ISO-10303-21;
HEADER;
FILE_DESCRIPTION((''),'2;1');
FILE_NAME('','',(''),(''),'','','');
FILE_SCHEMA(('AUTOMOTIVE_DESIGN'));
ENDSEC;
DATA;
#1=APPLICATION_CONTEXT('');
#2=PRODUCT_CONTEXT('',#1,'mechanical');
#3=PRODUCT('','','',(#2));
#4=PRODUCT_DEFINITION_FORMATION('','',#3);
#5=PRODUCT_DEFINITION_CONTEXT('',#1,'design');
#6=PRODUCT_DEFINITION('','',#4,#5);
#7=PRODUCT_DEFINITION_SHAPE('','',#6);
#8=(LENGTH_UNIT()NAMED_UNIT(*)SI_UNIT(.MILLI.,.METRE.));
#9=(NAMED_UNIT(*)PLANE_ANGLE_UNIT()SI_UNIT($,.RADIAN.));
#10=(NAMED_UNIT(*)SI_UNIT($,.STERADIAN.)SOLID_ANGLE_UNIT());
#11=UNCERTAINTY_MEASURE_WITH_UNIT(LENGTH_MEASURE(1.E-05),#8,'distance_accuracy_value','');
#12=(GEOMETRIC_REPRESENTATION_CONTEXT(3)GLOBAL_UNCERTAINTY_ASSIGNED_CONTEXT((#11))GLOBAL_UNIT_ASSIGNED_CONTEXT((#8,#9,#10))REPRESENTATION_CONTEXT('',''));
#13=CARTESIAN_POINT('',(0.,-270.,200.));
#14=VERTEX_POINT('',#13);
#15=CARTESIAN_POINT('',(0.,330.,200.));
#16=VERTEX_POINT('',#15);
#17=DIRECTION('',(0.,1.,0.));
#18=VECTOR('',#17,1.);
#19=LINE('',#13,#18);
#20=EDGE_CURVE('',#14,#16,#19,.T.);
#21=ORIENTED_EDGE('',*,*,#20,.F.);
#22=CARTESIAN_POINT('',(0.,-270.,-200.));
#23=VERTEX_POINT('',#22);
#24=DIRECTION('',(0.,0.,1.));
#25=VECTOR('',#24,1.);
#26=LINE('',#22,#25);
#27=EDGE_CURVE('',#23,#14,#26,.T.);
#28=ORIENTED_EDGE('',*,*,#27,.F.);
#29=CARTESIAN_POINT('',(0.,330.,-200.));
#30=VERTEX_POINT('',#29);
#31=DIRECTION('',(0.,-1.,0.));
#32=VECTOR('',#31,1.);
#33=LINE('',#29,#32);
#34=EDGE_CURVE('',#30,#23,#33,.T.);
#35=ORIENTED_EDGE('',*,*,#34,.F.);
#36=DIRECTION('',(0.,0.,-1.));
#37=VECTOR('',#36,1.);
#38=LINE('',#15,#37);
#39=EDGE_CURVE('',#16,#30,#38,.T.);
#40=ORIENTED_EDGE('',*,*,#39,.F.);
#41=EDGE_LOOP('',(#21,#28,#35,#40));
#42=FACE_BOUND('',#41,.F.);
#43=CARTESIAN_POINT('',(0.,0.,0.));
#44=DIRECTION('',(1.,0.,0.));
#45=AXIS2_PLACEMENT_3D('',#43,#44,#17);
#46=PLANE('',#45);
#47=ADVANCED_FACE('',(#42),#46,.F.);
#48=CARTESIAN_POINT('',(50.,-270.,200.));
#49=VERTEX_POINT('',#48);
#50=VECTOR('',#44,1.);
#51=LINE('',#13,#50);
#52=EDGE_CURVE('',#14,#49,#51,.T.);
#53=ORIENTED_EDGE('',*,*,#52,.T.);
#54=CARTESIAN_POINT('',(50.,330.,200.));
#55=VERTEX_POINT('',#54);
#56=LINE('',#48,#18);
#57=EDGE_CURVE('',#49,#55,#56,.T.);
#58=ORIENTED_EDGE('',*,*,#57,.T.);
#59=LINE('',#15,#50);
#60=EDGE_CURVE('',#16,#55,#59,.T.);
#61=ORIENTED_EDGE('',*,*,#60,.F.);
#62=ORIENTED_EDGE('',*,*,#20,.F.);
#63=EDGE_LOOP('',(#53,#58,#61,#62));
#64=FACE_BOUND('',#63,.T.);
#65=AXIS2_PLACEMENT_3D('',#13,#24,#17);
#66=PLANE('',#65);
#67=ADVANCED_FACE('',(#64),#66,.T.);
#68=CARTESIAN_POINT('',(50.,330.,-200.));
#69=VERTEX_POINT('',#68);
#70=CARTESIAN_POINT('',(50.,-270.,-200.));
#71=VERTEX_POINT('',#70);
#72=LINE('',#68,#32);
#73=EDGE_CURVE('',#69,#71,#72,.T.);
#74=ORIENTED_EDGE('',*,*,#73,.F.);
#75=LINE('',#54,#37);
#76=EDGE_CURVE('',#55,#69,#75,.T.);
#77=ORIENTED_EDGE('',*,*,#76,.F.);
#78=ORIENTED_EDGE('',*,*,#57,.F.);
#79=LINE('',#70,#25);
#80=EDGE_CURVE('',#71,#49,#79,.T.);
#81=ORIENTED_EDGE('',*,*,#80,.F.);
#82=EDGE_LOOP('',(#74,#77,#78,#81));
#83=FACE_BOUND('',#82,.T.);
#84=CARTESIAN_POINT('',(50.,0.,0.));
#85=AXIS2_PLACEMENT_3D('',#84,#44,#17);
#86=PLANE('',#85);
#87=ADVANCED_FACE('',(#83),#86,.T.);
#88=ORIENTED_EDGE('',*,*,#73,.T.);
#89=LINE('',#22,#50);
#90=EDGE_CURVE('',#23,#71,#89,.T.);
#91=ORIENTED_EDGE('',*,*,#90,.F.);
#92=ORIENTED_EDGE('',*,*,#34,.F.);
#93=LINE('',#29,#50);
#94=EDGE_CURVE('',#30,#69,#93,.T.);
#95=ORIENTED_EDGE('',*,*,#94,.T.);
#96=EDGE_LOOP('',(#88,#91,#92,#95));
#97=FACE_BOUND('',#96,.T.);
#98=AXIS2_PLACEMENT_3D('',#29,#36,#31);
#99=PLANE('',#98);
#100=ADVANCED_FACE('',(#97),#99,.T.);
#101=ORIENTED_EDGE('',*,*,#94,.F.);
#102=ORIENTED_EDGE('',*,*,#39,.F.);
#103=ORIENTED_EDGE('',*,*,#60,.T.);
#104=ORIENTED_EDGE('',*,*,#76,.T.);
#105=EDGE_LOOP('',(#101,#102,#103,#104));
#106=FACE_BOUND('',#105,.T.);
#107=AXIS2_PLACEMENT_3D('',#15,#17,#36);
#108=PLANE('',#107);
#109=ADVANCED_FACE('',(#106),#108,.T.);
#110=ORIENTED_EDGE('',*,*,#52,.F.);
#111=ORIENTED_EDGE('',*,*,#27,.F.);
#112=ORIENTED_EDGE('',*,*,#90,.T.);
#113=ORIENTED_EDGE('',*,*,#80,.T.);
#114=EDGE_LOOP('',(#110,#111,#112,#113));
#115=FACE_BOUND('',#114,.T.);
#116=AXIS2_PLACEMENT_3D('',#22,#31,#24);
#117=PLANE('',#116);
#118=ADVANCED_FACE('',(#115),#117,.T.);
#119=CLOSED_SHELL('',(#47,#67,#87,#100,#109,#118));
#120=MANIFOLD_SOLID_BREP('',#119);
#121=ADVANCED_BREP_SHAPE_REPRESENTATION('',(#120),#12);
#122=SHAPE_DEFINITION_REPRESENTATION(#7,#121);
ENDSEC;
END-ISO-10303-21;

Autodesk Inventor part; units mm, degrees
ref_plane "YZ Plane" through (0, 0, 0) normal (1, 0, 0) x (0, 1, 0)
ref_plane "XZ Plane" through (0, 0, 0) normal (0, 1, 0) x (-1, 0, 0)
ref_plane "XY Plane" through (0, 0, 0) normal (0, 0, 1) x (1, 0, 0)
sketch "Эскиз1" plane through (0, 0, 0) normal (1, 0, 0) x (0, 1, 0)
  line L0 (-270, 200) -> (330, 200)
  line L1 (330, 200) -> (330, -200)
  line L2 (330, -200) -> (-270, -200)
  line L3 (-270, -200) -> (-270, 200)
  line L4 (-270, 200) -> (330, -200) construction
  line L5 (330, 200) -> (-270, -200) construction
  point P0 (30, 0)
  point P1 (0, 0)
  dimension "d0" = 400
  dimension "d1" = 600
  dimension "d73" = 30
extrude "Выдавливание1" add sketch "Эскиз1" along normal blind 50
properties part number "Общий концепт в 3д"
